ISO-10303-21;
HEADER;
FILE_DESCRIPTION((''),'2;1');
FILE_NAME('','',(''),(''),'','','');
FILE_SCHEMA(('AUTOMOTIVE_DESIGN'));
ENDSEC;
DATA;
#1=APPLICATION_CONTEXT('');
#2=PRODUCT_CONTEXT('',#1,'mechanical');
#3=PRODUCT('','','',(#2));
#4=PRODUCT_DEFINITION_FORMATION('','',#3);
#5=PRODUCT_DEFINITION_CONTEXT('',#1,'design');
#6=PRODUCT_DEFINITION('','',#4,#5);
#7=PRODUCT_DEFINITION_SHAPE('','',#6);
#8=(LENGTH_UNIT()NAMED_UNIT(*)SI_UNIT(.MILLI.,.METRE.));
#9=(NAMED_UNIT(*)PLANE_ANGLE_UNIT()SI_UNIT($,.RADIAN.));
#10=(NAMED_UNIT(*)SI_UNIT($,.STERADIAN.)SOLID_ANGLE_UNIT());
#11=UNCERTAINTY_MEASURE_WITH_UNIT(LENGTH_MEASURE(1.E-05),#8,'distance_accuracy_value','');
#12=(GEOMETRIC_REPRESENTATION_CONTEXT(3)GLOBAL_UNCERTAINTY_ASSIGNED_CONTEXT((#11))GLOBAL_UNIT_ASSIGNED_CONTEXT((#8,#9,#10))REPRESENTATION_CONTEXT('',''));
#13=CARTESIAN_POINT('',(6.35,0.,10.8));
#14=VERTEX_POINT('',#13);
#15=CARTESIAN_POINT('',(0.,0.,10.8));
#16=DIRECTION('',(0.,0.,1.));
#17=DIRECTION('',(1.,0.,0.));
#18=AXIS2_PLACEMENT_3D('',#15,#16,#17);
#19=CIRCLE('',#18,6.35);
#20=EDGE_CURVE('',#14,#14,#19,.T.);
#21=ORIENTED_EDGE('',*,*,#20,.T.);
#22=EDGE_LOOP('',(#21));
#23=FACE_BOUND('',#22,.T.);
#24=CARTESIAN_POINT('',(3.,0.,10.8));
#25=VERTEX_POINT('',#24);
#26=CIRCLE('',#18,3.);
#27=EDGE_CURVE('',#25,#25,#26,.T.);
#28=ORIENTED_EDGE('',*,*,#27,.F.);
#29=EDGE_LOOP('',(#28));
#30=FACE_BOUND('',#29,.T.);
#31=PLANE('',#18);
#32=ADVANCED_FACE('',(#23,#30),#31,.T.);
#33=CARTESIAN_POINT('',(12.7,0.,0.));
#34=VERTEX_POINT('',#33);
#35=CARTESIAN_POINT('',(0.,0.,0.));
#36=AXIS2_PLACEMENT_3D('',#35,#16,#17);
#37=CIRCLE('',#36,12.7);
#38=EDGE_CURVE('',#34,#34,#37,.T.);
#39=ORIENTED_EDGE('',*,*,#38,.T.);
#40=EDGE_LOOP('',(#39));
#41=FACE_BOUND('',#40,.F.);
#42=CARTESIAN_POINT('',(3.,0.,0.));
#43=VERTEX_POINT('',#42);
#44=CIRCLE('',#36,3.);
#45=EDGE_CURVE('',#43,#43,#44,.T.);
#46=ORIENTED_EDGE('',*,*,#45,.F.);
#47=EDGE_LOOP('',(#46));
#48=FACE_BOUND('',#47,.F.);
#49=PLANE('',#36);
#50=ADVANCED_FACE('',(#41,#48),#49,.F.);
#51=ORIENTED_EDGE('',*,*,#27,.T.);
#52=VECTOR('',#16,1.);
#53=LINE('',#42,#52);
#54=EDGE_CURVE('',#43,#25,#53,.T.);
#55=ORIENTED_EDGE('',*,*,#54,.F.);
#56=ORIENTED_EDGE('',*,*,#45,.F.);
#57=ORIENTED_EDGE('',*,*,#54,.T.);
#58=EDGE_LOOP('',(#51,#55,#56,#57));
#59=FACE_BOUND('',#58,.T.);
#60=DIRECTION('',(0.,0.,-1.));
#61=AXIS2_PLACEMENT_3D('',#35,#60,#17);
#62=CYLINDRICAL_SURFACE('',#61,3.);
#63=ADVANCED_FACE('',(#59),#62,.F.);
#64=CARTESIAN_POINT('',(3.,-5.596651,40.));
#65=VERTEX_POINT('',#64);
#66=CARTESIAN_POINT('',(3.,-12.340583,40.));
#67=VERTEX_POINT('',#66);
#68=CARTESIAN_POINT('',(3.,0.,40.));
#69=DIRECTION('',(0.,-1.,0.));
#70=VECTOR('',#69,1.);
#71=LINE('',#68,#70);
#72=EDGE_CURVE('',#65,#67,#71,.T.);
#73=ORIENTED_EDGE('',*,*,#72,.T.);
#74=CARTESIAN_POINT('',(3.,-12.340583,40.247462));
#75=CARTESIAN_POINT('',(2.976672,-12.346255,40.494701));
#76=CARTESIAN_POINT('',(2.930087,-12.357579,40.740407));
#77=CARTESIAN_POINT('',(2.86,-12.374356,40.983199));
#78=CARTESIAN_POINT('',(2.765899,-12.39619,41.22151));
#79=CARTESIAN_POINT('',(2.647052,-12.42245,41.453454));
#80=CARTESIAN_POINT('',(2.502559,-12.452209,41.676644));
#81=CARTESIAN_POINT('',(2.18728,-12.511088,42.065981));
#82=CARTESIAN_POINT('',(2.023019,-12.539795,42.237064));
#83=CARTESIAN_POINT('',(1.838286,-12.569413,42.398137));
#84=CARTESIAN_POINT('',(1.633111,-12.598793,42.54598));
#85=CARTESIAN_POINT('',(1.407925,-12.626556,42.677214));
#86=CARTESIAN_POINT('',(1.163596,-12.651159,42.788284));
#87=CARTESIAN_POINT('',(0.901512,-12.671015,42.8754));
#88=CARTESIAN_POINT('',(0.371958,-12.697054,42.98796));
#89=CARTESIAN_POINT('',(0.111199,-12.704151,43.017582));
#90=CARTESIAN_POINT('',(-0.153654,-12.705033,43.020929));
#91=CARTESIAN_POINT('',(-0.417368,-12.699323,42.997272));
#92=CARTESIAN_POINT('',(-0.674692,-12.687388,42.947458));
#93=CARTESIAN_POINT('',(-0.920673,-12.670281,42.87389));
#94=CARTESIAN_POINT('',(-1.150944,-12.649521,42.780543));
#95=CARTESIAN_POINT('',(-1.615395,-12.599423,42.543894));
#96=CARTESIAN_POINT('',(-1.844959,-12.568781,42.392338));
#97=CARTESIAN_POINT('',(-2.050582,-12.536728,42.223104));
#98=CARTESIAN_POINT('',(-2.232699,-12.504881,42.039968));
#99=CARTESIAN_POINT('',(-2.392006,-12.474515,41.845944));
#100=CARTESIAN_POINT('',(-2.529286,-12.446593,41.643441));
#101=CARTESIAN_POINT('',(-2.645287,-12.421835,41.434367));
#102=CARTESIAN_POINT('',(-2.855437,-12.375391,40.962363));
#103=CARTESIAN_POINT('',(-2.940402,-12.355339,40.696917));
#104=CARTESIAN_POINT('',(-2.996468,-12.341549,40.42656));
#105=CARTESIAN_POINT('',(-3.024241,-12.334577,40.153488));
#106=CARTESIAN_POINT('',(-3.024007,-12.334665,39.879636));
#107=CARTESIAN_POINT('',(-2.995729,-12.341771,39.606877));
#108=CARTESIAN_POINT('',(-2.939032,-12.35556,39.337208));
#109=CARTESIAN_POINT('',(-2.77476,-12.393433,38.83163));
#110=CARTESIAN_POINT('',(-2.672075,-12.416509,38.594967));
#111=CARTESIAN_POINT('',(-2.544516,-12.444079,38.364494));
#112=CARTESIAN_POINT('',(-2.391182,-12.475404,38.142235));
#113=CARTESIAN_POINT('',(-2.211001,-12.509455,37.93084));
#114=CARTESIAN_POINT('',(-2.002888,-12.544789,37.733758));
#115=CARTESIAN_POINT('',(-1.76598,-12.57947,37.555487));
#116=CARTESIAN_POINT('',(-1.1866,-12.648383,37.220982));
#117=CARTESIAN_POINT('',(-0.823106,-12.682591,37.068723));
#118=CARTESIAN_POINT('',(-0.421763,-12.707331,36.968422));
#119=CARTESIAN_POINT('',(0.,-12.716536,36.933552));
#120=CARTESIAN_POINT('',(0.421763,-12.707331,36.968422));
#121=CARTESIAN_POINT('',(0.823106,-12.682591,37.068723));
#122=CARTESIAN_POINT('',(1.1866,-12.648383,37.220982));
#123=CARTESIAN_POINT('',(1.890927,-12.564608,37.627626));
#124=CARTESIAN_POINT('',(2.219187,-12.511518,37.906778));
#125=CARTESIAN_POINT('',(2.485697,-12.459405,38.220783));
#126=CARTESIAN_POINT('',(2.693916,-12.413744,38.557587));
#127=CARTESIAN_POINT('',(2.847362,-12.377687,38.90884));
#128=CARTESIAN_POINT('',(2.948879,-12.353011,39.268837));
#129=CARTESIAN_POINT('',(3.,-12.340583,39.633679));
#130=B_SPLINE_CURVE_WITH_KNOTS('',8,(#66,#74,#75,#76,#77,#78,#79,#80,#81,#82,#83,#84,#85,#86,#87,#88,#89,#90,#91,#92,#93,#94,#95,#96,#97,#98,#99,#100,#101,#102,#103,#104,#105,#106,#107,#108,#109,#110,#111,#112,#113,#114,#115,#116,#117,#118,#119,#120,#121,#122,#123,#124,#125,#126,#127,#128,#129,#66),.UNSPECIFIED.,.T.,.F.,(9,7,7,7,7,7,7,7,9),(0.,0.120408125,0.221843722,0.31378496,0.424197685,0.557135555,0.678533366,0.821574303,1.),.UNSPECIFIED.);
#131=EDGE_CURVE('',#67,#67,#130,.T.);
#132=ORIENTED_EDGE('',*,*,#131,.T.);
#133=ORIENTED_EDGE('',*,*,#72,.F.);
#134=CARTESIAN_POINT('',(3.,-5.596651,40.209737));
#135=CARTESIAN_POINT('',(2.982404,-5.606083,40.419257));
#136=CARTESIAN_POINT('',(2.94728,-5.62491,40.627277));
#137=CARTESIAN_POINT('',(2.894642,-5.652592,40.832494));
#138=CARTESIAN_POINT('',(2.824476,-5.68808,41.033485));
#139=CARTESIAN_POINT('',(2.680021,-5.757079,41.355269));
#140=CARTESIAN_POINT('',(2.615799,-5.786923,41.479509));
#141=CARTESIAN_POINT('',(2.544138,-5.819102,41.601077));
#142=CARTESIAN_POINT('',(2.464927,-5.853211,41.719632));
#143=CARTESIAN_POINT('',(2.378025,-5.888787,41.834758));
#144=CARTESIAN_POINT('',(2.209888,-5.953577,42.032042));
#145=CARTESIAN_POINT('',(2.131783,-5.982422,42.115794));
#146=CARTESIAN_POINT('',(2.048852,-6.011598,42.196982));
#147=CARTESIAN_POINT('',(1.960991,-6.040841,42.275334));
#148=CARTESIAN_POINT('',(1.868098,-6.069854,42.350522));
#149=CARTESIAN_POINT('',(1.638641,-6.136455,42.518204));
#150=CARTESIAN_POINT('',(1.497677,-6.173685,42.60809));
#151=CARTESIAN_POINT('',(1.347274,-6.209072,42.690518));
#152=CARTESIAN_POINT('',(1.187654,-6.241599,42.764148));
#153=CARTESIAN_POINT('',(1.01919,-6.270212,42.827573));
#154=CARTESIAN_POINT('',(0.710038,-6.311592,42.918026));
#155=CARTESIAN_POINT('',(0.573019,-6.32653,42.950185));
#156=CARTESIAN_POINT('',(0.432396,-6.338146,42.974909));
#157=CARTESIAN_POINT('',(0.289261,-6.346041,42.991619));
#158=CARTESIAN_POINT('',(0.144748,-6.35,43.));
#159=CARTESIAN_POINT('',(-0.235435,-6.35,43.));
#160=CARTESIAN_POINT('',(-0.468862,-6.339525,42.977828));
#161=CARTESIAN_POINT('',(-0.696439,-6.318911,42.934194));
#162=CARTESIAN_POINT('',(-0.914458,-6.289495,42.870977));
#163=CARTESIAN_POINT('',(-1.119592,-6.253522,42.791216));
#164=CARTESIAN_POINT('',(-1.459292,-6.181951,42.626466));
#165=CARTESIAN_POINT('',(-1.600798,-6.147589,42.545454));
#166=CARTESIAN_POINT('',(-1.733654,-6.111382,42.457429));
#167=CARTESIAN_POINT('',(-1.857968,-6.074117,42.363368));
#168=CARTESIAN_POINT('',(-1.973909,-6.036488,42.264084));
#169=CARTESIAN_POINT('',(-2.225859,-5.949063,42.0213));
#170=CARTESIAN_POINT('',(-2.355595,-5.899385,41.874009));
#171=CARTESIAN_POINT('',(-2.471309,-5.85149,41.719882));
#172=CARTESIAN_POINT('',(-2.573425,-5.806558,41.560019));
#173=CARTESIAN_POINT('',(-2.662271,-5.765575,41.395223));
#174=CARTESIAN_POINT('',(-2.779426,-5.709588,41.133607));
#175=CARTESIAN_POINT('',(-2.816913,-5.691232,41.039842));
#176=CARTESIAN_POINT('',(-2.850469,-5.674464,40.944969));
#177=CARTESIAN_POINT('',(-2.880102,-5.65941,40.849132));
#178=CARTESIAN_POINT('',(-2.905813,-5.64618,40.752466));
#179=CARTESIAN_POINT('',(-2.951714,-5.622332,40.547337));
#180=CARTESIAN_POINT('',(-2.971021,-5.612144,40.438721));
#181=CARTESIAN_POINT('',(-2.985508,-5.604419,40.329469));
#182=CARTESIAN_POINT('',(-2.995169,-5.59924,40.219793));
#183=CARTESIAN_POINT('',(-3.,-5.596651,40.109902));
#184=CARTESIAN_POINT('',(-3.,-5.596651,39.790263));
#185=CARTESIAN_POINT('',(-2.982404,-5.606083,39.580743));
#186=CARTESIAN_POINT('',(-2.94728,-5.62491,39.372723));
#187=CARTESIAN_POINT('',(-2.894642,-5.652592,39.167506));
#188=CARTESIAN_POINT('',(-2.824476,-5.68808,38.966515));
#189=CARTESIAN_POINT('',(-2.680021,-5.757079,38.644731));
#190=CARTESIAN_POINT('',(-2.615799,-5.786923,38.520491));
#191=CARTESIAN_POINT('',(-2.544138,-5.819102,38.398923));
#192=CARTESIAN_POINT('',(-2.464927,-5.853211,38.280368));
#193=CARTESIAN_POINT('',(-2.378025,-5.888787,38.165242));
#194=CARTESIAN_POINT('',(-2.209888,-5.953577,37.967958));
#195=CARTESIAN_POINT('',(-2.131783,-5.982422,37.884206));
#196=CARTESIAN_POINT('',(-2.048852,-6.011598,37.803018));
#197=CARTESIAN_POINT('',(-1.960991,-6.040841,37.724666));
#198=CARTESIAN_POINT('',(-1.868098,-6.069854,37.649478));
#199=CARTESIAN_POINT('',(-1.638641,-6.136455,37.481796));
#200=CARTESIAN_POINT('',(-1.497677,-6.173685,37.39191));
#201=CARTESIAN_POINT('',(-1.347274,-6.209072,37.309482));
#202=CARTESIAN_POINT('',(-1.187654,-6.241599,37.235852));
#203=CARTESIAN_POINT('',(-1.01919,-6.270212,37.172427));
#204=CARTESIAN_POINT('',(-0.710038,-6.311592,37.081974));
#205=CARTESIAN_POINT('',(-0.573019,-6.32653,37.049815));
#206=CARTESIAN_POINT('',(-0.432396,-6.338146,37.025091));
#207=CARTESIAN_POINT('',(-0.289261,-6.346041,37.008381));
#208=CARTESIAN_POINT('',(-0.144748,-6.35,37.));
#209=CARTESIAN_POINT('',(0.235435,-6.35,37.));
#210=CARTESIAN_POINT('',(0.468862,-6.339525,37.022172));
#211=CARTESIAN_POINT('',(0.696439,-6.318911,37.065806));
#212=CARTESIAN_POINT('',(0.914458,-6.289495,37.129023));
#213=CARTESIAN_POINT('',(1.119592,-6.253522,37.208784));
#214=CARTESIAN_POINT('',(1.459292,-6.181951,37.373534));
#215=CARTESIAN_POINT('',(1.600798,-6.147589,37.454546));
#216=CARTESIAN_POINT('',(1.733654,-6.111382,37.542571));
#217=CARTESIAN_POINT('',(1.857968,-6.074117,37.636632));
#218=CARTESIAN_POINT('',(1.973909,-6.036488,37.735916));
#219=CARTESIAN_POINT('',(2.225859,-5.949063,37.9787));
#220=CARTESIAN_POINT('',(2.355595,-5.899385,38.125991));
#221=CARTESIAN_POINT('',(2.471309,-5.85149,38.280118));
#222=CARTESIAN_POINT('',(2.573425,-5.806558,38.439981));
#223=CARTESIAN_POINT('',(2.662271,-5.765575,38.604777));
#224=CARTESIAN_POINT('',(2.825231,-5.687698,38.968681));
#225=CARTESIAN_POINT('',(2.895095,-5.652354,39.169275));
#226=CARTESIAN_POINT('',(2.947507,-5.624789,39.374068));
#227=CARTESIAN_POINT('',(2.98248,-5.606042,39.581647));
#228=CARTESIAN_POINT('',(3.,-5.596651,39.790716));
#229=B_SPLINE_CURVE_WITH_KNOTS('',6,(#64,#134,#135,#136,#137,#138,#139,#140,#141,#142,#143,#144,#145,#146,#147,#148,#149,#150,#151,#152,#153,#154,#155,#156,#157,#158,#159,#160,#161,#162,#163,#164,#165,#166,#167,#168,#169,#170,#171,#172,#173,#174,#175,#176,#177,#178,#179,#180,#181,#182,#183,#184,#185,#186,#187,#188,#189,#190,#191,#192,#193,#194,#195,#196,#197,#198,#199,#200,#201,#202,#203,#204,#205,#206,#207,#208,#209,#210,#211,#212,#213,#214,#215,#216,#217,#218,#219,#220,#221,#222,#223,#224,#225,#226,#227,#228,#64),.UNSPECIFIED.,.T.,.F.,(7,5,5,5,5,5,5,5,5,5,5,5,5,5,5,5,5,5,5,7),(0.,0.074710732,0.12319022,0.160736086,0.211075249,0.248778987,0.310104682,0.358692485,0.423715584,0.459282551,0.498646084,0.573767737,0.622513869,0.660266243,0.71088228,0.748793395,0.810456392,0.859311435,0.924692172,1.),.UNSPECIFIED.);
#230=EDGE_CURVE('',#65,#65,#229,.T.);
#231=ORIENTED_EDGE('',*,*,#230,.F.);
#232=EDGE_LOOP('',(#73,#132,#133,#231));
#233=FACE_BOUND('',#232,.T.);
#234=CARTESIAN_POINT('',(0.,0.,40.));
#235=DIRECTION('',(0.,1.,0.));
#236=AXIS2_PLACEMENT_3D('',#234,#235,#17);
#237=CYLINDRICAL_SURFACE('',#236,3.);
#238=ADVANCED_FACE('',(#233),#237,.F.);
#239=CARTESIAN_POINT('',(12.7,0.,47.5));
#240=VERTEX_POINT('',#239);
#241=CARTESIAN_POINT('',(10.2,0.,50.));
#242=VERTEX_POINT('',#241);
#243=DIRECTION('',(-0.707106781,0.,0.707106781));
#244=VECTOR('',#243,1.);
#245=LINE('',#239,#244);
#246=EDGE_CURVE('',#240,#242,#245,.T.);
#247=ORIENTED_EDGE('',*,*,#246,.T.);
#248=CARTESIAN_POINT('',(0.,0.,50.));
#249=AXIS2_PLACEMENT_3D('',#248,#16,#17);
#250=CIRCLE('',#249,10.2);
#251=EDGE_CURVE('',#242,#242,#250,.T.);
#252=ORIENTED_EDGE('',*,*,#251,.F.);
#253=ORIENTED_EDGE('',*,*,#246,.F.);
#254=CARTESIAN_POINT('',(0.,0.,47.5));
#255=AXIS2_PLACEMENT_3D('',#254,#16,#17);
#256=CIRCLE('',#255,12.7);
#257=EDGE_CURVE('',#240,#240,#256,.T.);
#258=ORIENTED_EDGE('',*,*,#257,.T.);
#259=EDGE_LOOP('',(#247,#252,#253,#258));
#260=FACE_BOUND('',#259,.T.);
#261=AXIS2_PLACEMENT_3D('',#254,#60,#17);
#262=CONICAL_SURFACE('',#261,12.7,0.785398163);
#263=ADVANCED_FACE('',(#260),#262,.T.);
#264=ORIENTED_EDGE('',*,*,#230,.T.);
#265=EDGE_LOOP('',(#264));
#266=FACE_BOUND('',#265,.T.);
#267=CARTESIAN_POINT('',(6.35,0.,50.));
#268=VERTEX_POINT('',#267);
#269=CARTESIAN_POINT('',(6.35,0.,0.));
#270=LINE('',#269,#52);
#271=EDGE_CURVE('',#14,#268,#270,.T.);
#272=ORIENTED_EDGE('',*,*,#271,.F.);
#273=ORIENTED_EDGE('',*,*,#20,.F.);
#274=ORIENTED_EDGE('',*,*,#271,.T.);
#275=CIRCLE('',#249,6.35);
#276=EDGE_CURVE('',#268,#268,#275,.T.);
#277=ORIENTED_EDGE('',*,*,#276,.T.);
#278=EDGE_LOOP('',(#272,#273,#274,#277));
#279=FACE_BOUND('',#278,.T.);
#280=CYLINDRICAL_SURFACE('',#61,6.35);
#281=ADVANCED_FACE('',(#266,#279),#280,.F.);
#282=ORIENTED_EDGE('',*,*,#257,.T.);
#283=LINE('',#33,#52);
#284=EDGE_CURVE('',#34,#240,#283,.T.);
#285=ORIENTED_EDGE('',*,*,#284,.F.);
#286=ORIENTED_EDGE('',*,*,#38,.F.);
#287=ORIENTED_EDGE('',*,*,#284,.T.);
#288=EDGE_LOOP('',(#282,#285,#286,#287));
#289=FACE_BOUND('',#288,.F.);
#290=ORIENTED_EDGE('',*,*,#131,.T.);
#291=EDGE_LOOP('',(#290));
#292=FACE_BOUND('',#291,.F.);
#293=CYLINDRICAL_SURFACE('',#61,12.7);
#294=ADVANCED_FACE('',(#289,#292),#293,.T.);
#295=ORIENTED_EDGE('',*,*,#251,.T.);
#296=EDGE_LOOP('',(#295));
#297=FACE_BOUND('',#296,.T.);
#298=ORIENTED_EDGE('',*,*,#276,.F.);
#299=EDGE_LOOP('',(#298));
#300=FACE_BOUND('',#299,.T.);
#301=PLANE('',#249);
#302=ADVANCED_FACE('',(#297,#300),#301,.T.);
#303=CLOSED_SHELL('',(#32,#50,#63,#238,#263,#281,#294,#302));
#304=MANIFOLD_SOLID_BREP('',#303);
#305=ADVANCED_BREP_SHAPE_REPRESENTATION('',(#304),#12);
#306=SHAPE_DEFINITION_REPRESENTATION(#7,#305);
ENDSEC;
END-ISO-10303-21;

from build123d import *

# Parameters (mm, degrees)
F0_R     = 12.7
F0_R_2   = 6.35
F1_DEPTH = 50
F0_R_3   = 3
F2_DEPTH = 10.8
F3_SIZE  = 2.5
F4_R     = 3
F5_DEPTH = 25


with BuildPart() as f1:
    # F0 (on Top) → F1 (new body)
    with BuildSketch(Plane.XY):
        Circle(F0_R)
        Circle(F0_R_2, mode=Mode.SUBTRACT)
    extrude(amount=F1_DEPTH)

    # F0 (on Top) → F2 (join)
    with BuildSketch(Plane.XY):
        Circle(F0_R_2)
        Circle(F0_R_3, mode=Mode.SUBTRACT)
    extrude(amount=F2_DEPTH)

    # F3
    f3_edges = [f1.edges().sort_by_distance(p)[0] for p in [
        (-12.7, 0, 50),
    ]]
    chamfer(f3_edges, length=F3_SIZE)

    # F4 (on Front) → F5 (cut)
    with BuildSketch(Plane.XZ):
        with Locations((0, 40)):
            Circle(F4_R)
    extrude(amount=F5_DEPTH, mode=Mode.SUBTRACT)


solid = f1.part
